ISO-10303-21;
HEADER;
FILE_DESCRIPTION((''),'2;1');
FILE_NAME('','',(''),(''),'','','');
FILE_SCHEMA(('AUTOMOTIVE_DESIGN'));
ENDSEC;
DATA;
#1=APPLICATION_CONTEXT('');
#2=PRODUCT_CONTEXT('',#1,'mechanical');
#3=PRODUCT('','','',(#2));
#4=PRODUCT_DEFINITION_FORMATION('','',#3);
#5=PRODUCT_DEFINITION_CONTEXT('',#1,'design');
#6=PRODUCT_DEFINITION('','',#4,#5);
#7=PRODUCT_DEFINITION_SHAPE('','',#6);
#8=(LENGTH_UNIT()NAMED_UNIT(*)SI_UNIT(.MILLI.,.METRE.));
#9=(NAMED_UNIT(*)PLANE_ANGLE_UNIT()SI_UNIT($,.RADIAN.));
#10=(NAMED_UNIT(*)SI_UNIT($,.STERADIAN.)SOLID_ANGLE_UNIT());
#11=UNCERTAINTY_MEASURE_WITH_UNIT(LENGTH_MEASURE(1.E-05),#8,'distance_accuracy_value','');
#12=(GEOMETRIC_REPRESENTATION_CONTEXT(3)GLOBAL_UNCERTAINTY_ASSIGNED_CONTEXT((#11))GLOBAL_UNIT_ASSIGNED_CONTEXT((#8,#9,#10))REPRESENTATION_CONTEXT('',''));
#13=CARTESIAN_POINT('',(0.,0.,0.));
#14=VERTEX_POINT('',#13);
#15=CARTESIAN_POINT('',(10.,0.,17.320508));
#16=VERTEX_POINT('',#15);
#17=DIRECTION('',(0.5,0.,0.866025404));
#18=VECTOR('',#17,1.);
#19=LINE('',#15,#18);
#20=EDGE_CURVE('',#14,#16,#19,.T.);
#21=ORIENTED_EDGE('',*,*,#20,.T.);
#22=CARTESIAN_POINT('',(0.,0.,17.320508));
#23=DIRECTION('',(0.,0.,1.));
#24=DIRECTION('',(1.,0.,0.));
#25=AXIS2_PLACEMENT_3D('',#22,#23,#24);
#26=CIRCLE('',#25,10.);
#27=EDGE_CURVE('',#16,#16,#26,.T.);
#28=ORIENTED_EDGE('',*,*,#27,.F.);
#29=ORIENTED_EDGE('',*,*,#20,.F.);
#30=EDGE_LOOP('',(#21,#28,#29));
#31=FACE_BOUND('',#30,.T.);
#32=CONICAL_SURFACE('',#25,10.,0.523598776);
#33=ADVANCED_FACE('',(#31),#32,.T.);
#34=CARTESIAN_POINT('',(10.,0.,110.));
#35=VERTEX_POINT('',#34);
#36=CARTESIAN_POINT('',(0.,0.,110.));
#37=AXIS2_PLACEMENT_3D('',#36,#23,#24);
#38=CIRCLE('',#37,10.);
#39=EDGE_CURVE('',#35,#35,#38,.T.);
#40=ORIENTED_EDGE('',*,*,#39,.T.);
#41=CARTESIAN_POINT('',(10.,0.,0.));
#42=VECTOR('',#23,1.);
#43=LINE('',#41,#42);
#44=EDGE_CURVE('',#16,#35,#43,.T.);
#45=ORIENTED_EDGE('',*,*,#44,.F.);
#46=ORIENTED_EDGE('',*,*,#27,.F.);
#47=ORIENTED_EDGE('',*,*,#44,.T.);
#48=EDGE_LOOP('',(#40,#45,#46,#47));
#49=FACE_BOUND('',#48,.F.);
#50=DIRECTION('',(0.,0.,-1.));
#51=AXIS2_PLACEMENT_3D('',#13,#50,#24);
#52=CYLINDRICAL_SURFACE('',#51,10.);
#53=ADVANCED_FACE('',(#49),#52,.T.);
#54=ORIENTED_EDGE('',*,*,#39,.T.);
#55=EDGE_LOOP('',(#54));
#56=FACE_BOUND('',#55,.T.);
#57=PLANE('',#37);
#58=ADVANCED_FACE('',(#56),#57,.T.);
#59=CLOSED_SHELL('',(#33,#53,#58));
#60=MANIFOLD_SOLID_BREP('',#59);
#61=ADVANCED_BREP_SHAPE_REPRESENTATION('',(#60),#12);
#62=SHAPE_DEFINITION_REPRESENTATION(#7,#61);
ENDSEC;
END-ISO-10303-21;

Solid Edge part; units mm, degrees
sketch "Sketch1" plane through (0, 0, 0) normal (0, 0, 1) x (1, 0, 0)
  circle A0 centre (0, 0) radius 10
  dimension "D1" = 20
extrude "Protrusion1" add sketch "Sketch1" along normal blind 110
chamfer "Fase_1" distance 10 angle 60 1 edges at (-10, 0, 0) measured on face at (-6.8667, -6.4667, 0)
properties material "Polyethylen, geringe Dichte"
